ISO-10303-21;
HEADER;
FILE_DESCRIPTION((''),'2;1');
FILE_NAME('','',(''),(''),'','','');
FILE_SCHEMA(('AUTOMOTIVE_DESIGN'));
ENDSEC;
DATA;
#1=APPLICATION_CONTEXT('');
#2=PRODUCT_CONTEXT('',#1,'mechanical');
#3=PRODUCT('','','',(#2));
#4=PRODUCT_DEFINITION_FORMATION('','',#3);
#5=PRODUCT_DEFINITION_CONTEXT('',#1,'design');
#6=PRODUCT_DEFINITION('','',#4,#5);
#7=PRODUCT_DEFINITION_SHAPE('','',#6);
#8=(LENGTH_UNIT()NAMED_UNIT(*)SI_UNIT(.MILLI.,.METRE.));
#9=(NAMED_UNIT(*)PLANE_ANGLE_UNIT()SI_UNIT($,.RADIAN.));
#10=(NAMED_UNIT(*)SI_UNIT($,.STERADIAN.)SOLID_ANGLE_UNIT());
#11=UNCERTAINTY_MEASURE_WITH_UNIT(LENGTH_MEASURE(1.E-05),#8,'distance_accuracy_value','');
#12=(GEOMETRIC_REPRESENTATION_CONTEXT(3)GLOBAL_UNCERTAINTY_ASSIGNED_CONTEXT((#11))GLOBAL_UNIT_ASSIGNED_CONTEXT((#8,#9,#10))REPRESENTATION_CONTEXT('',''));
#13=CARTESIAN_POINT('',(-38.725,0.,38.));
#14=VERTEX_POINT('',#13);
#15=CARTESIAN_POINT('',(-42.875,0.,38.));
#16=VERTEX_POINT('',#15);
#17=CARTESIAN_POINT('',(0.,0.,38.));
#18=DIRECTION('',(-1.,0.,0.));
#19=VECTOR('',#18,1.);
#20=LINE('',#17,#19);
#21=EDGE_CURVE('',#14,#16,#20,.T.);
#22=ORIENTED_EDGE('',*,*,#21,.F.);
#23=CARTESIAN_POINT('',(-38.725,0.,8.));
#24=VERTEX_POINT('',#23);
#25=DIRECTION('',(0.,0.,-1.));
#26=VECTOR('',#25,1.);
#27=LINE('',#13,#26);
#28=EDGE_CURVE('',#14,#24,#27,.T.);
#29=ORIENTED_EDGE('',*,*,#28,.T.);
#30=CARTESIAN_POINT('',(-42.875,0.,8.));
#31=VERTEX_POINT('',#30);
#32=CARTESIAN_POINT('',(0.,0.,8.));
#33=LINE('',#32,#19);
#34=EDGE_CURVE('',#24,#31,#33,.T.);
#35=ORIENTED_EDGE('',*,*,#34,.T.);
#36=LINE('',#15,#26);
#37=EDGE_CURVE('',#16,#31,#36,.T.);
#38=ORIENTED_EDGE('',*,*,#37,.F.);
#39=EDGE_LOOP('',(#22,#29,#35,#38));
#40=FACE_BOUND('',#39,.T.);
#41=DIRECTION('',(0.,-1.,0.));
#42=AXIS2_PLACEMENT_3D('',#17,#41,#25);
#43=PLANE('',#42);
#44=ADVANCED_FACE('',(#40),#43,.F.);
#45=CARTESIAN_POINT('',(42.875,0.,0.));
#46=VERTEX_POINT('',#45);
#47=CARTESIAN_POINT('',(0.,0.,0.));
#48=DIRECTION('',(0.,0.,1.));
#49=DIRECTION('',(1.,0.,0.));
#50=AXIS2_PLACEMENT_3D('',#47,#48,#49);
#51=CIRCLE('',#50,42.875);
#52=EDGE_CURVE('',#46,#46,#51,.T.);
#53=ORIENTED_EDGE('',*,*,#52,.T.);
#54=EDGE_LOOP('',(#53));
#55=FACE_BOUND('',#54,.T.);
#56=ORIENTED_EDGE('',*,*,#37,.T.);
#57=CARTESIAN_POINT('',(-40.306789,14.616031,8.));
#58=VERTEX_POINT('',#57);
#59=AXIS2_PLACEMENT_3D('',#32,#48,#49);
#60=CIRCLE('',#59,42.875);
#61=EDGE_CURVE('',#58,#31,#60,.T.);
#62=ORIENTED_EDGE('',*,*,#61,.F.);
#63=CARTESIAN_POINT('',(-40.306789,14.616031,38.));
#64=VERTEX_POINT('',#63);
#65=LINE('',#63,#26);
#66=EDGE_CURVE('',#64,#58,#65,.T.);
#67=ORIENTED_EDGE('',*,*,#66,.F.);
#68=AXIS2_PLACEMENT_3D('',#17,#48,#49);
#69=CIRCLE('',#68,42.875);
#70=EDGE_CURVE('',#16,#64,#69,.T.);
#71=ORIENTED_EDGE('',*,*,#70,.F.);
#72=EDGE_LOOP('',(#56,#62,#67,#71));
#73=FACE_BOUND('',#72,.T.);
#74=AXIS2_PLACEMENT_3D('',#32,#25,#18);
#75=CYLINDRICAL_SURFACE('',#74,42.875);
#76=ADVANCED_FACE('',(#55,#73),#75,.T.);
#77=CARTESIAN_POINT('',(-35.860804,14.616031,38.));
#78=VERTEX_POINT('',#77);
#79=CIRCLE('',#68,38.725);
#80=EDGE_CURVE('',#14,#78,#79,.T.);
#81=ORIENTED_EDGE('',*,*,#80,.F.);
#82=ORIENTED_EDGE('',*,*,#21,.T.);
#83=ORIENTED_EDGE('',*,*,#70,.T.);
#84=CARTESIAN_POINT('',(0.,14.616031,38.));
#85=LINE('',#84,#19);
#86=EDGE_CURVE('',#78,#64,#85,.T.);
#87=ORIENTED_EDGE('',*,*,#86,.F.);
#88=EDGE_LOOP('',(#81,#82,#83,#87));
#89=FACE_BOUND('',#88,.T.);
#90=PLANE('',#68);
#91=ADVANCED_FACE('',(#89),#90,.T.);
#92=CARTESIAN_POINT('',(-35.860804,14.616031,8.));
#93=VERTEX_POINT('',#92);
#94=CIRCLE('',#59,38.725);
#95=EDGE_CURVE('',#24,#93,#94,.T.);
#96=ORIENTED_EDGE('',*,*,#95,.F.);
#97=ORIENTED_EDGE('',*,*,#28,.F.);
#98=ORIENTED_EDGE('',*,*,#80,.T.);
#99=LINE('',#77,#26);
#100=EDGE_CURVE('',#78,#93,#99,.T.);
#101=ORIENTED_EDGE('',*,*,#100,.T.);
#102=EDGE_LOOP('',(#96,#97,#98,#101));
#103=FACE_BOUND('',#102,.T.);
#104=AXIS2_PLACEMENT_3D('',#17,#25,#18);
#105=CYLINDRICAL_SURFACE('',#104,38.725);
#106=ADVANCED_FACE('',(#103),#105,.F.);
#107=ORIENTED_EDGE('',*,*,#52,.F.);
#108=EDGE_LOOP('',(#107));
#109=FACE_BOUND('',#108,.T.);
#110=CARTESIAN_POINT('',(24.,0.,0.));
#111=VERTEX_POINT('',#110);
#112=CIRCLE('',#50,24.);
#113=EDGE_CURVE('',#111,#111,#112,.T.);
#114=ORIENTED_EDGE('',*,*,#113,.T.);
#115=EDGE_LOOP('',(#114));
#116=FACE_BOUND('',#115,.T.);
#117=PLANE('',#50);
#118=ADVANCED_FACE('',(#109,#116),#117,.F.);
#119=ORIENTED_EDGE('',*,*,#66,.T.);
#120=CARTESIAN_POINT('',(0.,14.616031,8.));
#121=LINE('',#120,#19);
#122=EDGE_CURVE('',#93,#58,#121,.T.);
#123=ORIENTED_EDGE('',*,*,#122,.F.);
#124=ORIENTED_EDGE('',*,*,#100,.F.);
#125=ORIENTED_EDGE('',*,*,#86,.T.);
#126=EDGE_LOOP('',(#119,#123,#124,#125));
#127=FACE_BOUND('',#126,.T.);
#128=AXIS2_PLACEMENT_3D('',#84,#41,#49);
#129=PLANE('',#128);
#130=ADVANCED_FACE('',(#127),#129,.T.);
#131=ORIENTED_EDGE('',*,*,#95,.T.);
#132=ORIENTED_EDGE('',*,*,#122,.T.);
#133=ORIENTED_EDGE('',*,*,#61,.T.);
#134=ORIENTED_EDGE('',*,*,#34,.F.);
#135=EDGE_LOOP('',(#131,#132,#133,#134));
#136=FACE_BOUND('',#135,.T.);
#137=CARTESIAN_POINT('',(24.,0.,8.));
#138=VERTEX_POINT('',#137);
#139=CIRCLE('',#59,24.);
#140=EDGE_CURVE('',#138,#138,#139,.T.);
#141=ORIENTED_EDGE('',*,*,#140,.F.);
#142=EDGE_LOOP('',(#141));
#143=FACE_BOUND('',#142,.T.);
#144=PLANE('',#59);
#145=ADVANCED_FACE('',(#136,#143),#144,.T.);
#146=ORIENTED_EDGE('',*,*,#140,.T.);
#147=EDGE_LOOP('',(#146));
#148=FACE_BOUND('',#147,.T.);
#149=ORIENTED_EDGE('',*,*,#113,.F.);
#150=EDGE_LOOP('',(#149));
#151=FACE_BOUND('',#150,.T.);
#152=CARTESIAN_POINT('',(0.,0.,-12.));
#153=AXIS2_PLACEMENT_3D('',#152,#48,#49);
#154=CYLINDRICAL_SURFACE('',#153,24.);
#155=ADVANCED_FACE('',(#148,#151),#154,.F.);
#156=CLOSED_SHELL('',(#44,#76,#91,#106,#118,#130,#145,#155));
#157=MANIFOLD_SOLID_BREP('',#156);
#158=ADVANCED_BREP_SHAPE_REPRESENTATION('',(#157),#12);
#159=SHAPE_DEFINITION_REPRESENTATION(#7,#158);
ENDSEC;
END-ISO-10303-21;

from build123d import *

# Parameters (mm, degrees)
SKETCH1_R           = 42.875
BOSS_EXTRUDE1_DEPTH = 8
BOSS_EXTRUDE2_DEPTH = 30
SKETCH4_R           = 24
CUT_EXTRUDE1_DEPTH  = 20


with BuildPart() as part:
    # Sketch1 → Boss-Extrude1 (new body)
    with BuildSketch(Plane.XY):
        Circle(SKETCH1_R)
    extrude(amount=BOSS_EXTRUDE1_DEPTH)

    # Sketch2 → Boss-Extrude2 (add)
    with BuildSketch(Plane.XY.offset(8)):
        with BuildLine():
            ThreePointArc((38.725, 0), (0, -38.725), (-38.725, 0))
            Line((-38.725, 0), (-42.875, 0))
            ThreePointArc((-42.875, 0), (0, -42.875), (42.875, 0))
            ThreePointArc((42.875, 0), (7.419974343, 42.228066564), (-40.30678919, 14.616031274))
            Line((-40.30678919, 14.616031274), (-35.860803878, 14.616031274))
            ThreePointArc((-35.860803878, 14.616031274), (7.44701265, 38.002205562), (38.725, 0))
        make_face()
    extrude(amount=BOSS_EXTRUDE2_DEPTH)

    # Sketch4 → Cut-Extrude1 (cut)
    with BuildSketch(Plane.XY.offset(8)):
        Circle(SKETCH4_R)
    extrude(amount=-CUT_EXTRUDE1_DEPTH, mode=Mode.SUBTRACT)


solid = part.part
